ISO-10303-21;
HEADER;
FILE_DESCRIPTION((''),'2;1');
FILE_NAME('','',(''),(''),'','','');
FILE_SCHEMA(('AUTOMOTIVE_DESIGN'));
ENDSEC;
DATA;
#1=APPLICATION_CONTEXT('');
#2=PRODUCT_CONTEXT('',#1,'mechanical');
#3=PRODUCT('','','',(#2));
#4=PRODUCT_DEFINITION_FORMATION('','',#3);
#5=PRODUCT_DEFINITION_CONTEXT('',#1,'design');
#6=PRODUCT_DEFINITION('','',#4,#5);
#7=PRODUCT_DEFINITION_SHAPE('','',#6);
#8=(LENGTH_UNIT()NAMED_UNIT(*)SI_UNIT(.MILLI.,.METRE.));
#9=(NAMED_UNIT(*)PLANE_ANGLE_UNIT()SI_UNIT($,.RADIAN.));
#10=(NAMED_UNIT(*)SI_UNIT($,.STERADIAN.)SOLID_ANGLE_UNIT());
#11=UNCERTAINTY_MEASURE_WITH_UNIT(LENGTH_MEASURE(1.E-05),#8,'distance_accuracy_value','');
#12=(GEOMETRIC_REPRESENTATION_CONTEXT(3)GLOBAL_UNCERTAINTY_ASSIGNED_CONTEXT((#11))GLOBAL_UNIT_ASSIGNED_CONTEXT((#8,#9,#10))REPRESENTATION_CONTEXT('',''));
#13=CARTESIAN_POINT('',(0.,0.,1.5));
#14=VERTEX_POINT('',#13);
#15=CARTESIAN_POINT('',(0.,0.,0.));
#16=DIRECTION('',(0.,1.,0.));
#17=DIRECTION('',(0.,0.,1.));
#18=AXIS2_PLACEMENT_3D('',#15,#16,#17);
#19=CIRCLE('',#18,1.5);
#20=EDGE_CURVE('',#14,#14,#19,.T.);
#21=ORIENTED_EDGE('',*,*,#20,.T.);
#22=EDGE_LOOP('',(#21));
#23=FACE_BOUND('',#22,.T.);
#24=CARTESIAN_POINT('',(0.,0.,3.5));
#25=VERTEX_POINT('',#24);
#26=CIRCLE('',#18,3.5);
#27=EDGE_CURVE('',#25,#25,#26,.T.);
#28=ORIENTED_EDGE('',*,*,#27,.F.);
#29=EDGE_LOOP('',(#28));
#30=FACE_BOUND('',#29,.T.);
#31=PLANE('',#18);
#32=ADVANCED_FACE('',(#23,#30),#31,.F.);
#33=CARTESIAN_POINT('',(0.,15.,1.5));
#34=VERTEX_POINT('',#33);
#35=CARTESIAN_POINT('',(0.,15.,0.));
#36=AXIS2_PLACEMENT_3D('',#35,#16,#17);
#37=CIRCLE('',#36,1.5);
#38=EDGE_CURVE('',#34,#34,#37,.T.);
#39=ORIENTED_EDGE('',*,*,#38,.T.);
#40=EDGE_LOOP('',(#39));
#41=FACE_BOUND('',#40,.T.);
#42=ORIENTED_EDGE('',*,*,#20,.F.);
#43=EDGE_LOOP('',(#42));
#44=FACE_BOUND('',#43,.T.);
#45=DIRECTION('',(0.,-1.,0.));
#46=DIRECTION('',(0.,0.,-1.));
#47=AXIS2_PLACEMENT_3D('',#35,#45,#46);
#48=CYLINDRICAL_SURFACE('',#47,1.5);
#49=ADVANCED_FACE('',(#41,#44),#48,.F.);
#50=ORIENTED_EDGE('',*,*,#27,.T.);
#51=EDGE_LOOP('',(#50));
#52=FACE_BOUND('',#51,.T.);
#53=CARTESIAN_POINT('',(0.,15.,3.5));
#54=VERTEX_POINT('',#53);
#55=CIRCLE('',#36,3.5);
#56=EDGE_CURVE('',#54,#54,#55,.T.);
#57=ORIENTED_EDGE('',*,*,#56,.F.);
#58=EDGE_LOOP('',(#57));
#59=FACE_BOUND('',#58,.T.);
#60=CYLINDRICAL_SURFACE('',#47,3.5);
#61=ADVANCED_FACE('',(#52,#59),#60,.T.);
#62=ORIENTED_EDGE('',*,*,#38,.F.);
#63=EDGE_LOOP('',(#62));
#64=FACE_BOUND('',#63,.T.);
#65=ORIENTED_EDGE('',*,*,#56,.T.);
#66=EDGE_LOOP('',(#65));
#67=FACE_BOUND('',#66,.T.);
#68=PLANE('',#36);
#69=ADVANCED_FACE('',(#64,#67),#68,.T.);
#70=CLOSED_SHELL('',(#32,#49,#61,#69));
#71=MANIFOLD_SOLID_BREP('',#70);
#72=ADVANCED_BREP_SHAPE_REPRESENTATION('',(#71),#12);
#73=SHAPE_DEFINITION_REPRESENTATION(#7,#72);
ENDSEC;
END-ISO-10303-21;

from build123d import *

# Parameters (mm, degrees)
SKETCH_1_R      = 3.5
SKETCH_1_R_2    = 1.5
EXTRUDE_1_DEPTH = 15


with BuildPart() as part:
    # 草图1 → 凸台-拉伸1 (new body)
    with BuildSketch(Plane(origin=(0, 0, 0), x_dir=(1, 0, 0), z_dir=(0, 1, 0))):
        Circle(SKETCH_1_R)
        Circle(SKETCH_1_R_2, mode=Mode.SUBTRACT)
    extrude(amount=EXTRUDE_1_DEPTH)


solid = part.part
